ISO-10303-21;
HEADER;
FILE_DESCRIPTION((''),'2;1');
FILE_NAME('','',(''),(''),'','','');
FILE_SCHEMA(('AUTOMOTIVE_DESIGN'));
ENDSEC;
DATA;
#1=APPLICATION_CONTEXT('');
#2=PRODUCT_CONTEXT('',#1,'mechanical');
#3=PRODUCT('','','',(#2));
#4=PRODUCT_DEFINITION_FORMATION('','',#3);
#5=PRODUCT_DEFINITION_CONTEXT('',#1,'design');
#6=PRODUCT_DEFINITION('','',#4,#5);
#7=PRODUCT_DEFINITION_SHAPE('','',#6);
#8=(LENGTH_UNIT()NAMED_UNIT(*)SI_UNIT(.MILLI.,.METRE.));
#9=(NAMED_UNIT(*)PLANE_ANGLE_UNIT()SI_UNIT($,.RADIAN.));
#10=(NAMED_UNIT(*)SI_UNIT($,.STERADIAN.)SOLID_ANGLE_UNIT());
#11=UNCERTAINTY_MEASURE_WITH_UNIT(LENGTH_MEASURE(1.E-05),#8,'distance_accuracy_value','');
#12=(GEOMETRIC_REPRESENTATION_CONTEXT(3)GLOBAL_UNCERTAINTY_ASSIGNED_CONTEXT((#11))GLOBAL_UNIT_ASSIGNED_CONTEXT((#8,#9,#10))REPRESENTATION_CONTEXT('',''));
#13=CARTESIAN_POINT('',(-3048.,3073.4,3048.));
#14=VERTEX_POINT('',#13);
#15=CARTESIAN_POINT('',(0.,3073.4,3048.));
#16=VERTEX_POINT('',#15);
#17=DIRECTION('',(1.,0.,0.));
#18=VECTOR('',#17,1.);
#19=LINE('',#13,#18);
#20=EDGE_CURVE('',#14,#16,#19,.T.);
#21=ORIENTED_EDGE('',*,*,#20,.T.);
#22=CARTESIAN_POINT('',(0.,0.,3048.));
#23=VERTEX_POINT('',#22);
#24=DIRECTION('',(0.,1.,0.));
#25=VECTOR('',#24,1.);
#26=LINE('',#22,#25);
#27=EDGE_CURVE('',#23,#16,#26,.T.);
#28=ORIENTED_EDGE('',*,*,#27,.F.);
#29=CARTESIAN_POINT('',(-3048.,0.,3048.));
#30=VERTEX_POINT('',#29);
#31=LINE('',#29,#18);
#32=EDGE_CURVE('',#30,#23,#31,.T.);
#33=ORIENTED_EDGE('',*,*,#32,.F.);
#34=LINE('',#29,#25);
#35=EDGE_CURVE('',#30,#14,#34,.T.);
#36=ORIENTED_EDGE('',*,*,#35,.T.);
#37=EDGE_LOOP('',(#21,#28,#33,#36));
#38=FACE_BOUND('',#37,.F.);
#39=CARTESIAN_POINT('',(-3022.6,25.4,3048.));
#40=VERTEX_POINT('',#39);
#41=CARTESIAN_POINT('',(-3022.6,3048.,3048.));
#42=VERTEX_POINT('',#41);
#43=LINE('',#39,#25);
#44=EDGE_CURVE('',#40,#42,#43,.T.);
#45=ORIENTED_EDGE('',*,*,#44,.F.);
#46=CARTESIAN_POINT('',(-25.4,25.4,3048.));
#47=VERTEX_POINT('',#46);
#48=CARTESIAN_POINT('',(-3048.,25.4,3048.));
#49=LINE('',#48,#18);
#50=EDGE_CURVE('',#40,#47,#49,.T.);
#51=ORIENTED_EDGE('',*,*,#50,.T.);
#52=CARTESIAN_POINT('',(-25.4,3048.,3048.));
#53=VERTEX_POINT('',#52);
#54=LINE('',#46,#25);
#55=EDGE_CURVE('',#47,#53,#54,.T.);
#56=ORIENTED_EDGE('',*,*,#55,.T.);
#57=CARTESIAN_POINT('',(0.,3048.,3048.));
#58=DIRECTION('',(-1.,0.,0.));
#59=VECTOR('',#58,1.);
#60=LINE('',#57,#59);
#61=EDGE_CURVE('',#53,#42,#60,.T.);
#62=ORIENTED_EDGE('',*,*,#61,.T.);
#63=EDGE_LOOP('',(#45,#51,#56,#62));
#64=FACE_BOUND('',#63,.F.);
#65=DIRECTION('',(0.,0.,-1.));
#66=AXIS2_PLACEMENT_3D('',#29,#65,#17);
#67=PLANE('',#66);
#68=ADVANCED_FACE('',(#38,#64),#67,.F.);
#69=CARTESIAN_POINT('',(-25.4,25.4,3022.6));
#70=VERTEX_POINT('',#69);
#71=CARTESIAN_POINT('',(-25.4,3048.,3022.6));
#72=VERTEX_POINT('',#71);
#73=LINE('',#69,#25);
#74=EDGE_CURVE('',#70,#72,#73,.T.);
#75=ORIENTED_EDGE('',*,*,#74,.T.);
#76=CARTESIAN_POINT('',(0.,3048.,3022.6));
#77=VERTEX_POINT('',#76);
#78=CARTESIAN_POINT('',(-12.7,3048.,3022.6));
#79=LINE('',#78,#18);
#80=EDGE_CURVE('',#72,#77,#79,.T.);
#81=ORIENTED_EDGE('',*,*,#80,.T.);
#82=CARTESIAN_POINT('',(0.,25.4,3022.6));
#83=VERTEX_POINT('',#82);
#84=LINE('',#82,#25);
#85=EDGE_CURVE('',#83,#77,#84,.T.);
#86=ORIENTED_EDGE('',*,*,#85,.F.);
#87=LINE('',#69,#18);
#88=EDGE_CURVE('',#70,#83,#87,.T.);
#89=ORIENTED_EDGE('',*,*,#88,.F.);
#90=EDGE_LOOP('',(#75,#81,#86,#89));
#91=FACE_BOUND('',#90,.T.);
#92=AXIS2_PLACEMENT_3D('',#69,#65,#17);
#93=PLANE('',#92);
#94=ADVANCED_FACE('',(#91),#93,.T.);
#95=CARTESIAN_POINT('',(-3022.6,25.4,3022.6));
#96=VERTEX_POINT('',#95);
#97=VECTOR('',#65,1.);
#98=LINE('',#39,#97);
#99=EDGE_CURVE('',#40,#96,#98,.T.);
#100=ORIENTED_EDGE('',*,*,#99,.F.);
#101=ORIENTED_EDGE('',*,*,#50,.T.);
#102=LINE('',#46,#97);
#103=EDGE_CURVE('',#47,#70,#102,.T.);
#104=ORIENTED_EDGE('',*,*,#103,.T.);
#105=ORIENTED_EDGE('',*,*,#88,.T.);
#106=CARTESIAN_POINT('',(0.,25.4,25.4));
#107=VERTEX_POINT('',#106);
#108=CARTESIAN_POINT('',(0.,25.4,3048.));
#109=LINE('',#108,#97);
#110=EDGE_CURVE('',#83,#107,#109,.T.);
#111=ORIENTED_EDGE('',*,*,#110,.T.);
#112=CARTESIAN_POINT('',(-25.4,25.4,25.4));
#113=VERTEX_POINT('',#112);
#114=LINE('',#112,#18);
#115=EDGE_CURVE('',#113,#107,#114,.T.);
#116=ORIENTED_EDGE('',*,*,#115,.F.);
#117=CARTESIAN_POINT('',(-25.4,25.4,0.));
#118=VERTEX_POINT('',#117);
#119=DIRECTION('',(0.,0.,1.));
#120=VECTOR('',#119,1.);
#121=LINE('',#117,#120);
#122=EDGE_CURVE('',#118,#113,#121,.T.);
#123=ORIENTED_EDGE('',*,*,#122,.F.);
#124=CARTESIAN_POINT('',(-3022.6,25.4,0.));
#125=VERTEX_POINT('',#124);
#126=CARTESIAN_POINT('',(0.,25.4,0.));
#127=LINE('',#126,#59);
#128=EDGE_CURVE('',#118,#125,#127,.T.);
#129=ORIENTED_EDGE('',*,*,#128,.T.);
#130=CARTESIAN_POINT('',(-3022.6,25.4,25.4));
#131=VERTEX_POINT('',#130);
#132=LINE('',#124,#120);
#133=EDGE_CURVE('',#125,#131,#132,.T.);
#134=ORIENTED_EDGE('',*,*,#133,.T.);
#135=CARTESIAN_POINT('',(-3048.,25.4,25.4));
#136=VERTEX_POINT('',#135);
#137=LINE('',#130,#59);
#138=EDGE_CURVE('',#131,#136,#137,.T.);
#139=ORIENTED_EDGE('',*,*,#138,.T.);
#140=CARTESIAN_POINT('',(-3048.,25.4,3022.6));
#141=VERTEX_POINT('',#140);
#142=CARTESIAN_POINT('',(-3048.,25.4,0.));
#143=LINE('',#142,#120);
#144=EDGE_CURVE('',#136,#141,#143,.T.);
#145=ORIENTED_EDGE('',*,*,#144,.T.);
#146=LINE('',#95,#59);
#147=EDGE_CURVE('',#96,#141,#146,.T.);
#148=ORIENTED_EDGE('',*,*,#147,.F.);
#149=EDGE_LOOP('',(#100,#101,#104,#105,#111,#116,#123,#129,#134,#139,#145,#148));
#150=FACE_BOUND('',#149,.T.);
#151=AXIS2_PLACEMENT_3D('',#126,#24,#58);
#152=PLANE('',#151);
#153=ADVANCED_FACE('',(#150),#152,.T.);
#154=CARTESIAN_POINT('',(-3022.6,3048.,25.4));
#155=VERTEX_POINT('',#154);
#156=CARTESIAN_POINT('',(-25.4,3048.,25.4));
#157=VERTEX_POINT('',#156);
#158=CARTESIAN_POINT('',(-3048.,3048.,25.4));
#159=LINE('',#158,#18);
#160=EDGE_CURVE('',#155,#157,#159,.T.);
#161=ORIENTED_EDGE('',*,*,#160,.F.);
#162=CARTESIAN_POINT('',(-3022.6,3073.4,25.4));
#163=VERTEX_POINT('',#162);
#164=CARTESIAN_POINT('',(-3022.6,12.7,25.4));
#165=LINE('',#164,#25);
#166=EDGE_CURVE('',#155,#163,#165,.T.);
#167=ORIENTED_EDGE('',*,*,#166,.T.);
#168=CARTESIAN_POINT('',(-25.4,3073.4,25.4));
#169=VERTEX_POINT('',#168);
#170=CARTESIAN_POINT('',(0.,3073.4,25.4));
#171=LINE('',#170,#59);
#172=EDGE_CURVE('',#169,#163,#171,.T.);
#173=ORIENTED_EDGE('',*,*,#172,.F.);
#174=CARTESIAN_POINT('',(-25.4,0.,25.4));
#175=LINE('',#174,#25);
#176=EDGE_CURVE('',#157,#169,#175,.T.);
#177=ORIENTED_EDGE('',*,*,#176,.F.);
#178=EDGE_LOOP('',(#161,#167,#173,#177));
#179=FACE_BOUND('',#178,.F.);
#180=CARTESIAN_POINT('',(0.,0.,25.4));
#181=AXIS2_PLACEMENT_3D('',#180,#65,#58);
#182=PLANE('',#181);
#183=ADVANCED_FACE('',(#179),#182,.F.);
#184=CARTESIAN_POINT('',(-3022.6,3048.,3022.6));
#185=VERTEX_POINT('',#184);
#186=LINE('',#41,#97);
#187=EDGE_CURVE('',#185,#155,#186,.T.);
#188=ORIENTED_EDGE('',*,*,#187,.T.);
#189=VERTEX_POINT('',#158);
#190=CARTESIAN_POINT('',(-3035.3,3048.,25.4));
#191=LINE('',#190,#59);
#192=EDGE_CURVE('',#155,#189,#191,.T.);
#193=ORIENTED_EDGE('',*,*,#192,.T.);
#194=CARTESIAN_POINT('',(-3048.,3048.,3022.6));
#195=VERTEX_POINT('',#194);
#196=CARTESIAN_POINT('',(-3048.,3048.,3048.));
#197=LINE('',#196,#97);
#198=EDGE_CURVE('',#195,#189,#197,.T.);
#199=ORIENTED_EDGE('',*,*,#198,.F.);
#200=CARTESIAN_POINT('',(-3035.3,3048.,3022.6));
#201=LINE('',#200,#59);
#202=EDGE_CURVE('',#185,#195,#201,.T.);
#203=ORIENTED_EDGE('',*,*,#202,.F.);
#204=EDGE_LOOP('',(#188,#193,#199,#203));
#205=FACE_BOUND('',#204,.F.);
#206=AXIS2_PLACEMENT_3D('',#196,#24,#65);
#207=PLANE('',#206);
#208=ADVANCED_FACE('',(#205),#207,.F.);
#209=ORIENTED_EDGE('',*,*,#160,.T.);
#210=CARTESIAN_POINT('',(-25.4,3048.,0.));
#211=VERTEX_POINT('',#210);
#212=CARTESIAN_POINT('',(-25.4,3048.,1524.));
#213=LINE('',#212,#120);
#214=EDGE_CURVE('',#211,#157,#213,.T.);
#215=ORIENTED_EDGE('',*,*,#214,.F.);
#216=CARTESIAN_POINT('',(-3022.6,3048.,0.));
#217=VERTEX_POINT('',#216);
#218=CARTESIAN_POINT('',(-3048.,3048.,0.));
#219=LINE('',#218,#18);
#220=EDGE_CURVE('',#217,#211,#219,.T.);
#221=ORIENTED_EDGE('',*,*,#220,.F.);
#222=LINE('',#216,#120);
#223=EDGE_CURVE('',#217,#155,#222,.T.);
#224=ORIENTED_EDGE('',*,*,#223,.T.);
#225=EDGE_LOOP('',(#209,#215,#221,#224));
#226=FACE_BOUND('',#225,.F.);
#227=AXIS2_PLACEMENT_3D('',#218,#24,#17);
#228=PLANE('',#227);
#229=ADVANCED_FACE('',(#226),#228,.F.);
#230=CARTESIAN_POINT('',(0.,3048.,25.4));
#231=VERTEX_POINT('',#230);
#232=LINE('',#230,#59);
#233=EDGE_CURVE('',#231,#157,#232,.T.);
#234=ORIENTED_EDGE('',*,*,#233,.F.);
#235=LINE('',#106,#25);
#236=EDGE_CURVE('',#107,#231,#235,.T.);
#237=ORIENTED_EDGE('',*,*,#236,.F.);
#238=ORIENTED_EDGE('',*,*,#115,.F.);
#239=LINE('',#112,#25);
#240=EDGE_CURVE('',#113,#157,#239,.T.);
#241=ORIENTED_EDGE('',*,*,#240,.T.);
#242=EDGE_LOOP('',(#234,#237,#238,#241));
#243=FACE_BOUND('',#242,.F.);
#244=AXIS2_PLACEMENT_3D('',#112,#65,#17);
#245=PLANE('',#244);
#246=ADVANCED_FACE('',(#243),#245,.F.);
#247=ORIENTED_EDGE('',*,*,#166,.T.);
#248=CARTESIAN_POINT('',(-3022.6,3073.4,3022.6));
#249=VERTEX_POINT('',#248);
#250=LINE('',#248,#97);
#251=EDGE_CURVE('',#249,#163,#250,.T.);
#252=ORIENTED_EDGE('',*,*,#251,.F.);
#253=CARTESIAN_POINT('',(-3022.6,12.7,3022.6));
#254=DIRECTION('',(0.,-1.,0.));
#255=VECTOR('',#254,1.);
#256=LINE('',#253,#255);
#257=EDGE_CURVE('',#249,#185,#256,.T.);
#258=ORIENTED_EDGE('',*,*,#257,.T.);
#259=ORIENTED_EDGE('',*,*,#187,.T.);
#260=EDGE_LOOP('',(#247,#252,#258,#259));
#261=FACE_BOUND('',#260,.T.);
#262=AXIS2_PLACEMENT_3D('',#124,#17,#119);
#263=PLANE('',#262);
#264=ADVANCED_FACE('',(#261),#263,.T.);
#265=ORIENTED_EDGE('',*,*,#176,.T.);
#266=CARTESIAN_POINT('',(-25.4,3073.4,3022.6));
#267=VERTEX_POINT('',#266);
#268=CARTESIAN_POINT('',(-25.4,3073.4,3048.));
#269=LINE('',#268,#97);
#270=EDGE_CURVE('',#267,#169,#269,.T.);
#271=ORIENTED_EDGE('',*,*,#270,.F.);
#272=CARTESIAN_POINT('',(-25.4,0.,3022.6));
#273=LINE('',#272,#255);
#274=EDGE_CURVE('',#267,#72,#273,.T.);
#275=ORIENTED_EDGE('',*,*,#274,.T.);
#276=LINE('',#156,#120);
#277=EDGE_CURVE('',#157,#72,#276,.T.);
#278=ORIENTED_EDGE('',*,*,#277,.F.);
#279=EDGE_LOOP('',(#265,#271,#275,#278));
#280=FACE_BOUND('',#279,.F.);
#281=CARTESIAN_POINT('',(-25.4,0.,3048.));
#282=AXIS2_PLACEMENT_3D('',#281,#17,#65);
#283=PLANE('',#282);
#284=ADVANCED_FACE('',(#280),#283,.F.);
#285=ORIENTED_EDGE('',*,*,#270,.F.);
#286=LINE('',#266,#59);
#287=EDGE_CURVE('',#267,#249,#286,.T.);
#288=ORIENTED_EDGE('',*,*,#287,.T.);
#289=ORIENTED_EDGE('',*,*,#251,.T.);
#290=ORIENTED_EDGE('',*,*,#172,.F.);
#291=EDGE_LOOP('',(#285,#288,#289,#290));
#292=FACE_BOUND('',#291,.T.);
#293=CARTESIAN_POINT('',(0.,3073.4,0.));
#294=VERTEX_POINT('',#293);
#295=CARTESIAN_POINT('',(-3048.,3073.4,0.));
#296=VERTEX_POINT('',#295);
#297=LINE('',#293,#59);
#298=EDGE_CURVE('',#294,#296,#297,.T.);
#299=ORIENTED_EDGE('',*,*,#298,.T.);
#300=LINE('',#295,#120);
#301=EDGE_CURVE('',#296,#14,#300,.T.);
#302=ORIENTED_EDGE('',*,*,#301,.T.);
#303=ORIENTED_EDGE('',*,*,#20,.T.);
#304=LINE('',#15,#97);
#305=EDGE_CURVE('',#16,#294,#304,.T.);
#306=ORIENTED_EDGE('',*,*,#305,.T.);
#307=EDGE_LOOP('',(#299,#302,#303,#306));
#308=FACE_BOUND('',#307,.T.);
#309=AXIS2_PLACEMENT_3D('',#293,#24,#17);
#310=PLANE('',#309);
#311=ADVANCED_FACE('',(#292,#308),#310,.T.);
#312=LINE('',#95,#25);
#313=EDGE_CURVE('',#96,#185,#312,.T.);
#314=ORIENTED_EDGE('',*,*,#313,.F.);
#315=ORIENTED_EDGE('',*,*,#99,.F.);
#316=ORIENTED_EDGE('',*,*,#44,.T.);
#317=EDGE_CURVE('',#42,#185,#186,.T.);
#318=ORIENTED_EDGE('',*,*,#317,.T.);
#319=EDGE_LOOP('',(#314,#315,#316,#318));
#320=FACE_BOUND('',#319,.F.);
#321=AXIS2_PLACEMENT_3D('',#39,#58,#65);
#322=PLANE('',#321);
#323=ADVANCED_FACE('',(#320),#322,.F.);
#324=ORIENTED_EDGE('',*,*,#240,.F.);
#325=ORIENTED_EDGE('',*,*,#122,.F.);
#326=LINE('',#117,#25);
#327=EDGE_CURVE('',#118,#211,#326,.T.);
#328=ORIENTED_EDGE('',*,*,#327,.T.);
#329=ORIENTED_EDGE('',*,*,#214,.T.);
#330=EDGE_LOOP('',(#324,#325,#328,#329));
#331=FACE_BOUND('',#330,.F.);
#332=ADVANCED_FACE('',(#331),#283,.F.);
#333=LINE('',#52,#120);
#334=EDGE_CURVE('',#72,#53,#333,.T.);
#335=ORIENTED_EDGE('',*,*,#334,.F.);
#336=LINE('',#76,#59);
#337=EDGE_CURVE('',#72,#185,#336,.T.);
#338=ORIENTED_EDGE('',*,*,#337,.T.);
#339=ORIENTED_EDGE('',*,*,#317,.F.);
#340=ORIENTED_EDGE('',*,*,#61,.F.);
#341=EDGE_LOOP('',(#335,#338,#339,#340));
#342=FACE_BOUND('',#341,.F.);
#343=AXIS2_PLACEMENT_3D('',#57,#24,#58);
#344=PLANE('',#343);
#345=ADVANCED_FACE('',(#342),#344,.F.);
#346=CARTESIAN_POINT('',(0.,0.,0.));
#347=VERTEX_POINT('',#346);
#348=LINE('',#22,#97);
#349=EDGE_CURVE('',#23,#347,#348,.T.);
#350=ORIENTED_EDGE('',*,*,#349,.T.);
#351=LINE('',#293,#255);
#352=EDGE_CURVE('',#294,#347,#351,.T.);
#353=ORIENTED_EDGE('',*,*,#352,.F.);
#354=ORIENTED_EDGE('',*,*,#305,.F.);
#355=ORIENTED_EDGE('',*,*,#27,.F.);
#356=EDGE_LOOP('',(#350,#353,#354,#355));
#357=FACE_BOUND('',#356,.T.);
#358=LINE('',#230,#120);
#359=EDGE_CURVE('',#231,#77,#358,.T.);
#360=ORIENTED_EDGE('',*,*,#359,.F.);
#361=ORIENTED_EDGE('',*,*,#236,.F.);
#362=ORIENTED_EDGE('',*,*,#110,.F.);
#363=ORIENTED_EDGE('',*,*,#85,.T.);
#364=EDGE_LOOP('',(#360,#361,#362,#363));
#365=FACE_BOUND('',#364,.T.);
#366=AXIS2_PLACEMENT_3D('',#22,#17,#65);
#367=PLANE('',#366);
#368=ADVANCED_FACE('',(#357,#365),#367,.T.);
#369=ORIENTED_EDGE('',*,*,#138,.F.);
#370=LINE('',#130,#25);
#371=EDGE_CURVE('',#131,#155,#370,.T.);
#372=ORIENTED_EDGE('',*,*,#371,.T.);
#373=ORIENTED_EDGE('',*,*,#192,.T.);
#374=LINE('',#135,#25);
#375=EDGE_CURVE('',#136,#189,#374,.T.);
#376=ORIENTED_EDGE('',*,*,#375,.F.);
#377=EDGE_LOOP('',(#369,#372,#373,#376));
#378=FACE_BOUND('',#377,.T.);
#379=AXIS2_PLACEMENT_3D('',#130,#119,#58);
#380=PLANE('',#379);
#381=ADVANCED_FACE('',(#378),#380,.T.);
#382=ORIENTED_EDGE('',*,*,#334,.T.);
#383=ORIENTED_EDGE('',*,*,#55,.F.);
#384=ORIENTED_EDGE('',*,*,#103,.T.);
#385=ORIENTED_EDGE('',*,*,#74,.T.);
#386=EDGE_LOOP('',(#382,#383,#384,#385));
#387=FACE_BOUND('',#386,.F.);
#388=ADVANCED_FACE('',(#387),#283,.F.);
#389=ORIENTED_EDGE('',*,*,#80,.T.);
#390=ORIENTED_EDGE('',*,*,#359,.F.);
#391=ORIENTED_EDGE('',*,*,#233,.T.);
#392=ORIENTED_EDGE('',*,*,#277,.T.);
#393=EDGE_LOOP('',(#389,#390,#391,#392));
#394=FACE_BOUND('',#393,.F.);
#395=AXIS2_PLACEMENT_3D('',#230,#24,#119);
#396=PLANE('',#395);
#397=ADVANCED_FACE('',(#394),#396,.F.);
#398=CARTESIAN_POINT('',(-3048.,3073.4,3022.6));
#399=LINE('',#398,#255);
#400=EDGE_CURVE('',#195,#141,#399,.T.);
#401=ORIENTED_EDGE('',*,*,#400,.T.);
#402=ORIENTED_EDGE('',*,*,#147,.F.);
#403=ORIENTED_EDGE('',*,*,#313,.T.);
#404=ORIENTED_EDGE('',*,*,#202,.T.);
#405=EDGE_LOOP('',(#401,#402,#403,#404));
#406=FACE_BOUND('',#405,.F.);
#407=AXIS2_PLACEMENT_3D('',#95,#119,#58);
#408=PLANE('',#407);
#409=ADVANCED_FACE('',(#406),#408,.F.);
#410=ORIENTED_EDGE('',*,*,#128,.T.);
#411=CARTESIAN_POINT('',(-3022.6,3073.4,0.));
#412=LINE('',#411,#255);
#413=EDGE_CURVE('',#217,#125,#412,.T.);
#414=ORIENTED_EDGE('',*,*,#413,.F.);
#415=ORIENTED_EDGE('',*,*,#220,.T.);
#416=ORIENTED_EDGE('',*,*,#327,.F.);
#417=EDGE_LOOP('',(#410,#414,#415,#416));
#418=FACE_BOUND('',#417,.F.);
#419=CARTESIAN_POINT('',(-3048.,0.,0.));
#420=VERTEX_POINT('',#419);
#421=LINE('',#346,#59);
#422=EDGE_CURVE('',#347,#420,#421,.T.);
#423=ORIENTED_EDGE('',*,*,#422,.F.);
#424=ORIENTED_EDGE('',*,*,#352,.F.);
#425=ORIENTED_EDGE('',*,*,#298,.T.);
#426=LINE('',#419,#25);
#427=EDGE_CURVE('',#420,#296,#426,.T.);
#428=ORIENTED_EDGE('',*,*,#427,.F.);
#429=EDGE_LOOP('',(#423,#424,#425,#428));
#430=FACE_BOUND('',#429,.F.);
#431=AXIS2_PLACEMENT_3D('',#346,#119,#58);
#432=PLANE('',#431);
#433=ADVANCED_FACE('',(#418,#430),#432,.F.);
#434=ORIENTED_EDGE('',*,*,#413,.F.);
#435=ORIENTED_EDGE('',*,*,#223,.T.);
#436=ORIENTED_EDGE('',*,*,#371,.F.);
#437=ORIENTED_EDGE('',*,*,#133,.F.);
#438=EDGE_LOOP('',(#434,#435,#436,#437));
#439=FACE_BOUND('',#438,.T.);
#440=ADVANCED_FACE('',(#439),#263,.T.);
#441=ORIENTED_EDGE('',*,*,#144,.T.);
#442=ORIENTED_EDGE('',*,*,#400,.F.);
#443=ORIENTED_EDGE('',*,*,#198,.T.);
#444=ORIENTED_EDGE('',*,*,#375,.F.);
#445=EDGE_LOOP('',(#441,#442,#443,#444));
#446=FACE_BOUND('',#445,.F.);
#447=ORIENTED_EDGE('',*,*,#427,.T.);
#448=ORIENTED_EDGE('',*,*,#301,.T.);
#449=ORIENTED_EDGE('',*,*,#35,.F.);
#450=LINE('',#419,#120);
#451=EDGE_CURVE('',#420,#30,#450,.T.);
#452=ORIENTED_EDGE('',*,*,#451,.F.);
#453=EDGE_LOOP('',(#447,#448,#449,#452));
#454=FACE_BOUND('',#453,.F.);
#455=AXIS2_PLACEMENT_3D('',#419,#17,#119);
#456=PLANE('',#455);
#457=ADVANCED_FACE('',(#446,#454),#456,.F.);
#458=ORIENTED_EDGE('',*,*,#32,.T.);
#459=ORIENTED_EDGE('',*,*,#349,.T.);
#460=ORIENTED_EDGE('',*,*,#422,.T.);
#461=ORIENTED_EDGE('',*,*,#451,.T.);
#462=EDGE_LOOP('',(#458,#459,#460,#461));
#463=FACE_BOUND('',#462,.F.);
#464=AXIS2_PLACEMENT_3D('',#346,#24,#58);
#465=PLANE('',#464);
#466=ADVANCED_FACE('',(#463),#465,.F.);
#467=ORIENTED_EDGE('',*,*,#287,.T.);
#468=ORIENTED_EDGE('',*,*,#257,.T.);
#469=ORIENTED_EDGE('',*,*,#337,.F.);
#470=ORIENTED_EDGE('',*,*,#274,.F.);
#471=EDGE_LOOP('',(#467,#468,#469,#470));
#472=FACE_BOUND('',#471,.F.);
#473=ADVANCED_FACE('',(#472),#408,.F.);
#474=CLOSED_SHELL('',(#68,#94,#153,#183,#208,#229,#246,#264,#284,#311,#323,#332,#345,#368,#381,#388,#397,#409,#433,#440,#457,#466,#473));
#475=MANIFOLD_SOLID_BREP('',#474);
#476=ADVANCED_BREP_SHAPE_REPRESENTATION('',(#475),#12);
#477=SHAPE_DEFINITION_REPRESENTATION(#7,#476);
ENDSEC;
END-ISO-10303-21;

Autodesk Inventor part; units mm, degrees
ref_plane "YZ Plane" through (0, 0, 0) normal (1, 0, 0) x (0, 1, 0)
ref_plane "XZ Plane" through (0, 0, 0) normal (0, 1, 0) x (-1, 0, 0)
ref_plane "XY Plane" through (0, 0, 0) normal (0, 0, 1) x (1, 0, 0)
sketch "Sketch1" plane through (0, 0, 0) normal (0, 1, 0) x (-1, 0, 0)
  line L0 (0, 0) -> (3048, 0)
  line L1 (3048, 0) -> (3048, 3048)
  line L2 (3048, 3048) -> (0, 3048)
  line L3 (0, 3048) -> (0, 0)
  dimension "d0" = 3048
  dimension "d1" = 3048
extrude "Extrusion1" add sketch "Sketch1" along normal blind 25.4
sketch "Sketch2" plane through (0, 25.4, 0) normal (0, 1, 0) x (1, 0, 0)
  line L0 (-3048, 0) -> (-3022.6, 0)
  line L1 (-3022.6, 0) -> (-3022.6, -25.4)
  line L2 (-3022.6, -25.4) -> (-3048, -25.4)
  line L3 (-3048, -25.4) -> (-3048, 0)
  line L4 (0, 0) -> (-25.4, 0)
  line L5 (-25.4, 0) -> (-25.4, -25.4)
  line L6 (-25.4, -25.4) -> (0, -25.4)
  line L7 (0, -25.4) -> (0, 0)
  line L8 (-3048, -3048) -> (-3022.6, -3048)
  line L9 (-3022.6, -3048) -> (-3022.6, -3022.6)
  line L10 (-3022.6, -3022.6) -> (-3048, -3022.6)
  line L11 (-3048, -3022.6) -> (-3048, -3048)
  line L12 (0, -3048) -> (-25.4, -3048)
  line L13 (-25.4, -3048) -> (-25.4, -3022.6)
  line L14 (-25.4, -3022.6) -> (0, -3022.6)
  line L15 (0, -3022.6) -> (0, -3048)
  dimension "d4" = 25.4
  dimension "d5" = 25.4
  dimension "d6" = 25.4
  dimension "d7" = 25.4
  dimension "d8" = 25.4
  dimension "d9" = 25.4
  dimension "d10" = 25.4
  dimension "d11" = 25.4
extrude "Extrusion2" add sketch "Sketch2" along normal blind 3048
sketch "Sketch3" plane through (0, 0, 3048) normal (1, 0, 0) x (0, 0, -1)
  line L0 (3022.6, 25.4) -> (3022.6, 3073.4) projected
  line L1 (0, 3073.4) -> (3022.6, 3073.4)
  line L2 (3022.6, 3073.4) -> (3022.6, 3048)
  line L3 (3022.6, 3048) -> (0, 3048)
  line L4 (0, 3048) -> (0, 3073.4)
  dimension "d14" = 25.4
extrude "Extrusion3" add sketch "Sketch3" against normal blind 25.4
sketch "Sketch4" plane through (-3048, 0, 3048) normal (0, 0, 1) x (1, 0, 0)
  line L0 (0, 3073.4) -> (3048, 3073.4)
  line L1 (3048, 3073.4) -> (3048, 3048)
  line L2 (3048, 3048) -> (0, 3048)
  line L3 (0, 3048) -> (0, 3073.4)
  dimension "d17" = 3048
  dimension "d18" = 25.4
extrude "Extrusion4" add sketch "Sketch4" against normal blind 25.4
sketch "Sketch5" plane through (-3048, 0, 0) normal (-1, 0, 0) x (0, 0, 1)
  line L0 (0, 3073.4) -> (3048, 3073.4)
  line L1 (3048, 3073.4) -> (3048, 3048)
  line L2 (3048, 3048) -> (0, 3048)
  line L3 (0, 3048) -> (0, 3073.4)
  dimension "d21" = 3048
  dimension "d22" = 25.4
extrude "Extrusion5" add sketch "Sketch5" against normal blind 25.4
sketch "Sketch6" plane through (0, 0, 0) normal (0, 0, -1) x (-1, 0, 0)
  line L0 (0, 3073.4) -> (3048, 3073.4)
  line L1 (3048, 3073.4) -> (3048, 3048)
  line L2 (3048, 3048) -> (0, 3048)
  line L3 (0, 3048) -> (0, 3073.4)
  dimension "d25" = 3048
  dimension "d26" = 25.4
extrude "Extrusion6" add sketch "Sketch6" against normal blind 25.4
properties part number "canopy"
